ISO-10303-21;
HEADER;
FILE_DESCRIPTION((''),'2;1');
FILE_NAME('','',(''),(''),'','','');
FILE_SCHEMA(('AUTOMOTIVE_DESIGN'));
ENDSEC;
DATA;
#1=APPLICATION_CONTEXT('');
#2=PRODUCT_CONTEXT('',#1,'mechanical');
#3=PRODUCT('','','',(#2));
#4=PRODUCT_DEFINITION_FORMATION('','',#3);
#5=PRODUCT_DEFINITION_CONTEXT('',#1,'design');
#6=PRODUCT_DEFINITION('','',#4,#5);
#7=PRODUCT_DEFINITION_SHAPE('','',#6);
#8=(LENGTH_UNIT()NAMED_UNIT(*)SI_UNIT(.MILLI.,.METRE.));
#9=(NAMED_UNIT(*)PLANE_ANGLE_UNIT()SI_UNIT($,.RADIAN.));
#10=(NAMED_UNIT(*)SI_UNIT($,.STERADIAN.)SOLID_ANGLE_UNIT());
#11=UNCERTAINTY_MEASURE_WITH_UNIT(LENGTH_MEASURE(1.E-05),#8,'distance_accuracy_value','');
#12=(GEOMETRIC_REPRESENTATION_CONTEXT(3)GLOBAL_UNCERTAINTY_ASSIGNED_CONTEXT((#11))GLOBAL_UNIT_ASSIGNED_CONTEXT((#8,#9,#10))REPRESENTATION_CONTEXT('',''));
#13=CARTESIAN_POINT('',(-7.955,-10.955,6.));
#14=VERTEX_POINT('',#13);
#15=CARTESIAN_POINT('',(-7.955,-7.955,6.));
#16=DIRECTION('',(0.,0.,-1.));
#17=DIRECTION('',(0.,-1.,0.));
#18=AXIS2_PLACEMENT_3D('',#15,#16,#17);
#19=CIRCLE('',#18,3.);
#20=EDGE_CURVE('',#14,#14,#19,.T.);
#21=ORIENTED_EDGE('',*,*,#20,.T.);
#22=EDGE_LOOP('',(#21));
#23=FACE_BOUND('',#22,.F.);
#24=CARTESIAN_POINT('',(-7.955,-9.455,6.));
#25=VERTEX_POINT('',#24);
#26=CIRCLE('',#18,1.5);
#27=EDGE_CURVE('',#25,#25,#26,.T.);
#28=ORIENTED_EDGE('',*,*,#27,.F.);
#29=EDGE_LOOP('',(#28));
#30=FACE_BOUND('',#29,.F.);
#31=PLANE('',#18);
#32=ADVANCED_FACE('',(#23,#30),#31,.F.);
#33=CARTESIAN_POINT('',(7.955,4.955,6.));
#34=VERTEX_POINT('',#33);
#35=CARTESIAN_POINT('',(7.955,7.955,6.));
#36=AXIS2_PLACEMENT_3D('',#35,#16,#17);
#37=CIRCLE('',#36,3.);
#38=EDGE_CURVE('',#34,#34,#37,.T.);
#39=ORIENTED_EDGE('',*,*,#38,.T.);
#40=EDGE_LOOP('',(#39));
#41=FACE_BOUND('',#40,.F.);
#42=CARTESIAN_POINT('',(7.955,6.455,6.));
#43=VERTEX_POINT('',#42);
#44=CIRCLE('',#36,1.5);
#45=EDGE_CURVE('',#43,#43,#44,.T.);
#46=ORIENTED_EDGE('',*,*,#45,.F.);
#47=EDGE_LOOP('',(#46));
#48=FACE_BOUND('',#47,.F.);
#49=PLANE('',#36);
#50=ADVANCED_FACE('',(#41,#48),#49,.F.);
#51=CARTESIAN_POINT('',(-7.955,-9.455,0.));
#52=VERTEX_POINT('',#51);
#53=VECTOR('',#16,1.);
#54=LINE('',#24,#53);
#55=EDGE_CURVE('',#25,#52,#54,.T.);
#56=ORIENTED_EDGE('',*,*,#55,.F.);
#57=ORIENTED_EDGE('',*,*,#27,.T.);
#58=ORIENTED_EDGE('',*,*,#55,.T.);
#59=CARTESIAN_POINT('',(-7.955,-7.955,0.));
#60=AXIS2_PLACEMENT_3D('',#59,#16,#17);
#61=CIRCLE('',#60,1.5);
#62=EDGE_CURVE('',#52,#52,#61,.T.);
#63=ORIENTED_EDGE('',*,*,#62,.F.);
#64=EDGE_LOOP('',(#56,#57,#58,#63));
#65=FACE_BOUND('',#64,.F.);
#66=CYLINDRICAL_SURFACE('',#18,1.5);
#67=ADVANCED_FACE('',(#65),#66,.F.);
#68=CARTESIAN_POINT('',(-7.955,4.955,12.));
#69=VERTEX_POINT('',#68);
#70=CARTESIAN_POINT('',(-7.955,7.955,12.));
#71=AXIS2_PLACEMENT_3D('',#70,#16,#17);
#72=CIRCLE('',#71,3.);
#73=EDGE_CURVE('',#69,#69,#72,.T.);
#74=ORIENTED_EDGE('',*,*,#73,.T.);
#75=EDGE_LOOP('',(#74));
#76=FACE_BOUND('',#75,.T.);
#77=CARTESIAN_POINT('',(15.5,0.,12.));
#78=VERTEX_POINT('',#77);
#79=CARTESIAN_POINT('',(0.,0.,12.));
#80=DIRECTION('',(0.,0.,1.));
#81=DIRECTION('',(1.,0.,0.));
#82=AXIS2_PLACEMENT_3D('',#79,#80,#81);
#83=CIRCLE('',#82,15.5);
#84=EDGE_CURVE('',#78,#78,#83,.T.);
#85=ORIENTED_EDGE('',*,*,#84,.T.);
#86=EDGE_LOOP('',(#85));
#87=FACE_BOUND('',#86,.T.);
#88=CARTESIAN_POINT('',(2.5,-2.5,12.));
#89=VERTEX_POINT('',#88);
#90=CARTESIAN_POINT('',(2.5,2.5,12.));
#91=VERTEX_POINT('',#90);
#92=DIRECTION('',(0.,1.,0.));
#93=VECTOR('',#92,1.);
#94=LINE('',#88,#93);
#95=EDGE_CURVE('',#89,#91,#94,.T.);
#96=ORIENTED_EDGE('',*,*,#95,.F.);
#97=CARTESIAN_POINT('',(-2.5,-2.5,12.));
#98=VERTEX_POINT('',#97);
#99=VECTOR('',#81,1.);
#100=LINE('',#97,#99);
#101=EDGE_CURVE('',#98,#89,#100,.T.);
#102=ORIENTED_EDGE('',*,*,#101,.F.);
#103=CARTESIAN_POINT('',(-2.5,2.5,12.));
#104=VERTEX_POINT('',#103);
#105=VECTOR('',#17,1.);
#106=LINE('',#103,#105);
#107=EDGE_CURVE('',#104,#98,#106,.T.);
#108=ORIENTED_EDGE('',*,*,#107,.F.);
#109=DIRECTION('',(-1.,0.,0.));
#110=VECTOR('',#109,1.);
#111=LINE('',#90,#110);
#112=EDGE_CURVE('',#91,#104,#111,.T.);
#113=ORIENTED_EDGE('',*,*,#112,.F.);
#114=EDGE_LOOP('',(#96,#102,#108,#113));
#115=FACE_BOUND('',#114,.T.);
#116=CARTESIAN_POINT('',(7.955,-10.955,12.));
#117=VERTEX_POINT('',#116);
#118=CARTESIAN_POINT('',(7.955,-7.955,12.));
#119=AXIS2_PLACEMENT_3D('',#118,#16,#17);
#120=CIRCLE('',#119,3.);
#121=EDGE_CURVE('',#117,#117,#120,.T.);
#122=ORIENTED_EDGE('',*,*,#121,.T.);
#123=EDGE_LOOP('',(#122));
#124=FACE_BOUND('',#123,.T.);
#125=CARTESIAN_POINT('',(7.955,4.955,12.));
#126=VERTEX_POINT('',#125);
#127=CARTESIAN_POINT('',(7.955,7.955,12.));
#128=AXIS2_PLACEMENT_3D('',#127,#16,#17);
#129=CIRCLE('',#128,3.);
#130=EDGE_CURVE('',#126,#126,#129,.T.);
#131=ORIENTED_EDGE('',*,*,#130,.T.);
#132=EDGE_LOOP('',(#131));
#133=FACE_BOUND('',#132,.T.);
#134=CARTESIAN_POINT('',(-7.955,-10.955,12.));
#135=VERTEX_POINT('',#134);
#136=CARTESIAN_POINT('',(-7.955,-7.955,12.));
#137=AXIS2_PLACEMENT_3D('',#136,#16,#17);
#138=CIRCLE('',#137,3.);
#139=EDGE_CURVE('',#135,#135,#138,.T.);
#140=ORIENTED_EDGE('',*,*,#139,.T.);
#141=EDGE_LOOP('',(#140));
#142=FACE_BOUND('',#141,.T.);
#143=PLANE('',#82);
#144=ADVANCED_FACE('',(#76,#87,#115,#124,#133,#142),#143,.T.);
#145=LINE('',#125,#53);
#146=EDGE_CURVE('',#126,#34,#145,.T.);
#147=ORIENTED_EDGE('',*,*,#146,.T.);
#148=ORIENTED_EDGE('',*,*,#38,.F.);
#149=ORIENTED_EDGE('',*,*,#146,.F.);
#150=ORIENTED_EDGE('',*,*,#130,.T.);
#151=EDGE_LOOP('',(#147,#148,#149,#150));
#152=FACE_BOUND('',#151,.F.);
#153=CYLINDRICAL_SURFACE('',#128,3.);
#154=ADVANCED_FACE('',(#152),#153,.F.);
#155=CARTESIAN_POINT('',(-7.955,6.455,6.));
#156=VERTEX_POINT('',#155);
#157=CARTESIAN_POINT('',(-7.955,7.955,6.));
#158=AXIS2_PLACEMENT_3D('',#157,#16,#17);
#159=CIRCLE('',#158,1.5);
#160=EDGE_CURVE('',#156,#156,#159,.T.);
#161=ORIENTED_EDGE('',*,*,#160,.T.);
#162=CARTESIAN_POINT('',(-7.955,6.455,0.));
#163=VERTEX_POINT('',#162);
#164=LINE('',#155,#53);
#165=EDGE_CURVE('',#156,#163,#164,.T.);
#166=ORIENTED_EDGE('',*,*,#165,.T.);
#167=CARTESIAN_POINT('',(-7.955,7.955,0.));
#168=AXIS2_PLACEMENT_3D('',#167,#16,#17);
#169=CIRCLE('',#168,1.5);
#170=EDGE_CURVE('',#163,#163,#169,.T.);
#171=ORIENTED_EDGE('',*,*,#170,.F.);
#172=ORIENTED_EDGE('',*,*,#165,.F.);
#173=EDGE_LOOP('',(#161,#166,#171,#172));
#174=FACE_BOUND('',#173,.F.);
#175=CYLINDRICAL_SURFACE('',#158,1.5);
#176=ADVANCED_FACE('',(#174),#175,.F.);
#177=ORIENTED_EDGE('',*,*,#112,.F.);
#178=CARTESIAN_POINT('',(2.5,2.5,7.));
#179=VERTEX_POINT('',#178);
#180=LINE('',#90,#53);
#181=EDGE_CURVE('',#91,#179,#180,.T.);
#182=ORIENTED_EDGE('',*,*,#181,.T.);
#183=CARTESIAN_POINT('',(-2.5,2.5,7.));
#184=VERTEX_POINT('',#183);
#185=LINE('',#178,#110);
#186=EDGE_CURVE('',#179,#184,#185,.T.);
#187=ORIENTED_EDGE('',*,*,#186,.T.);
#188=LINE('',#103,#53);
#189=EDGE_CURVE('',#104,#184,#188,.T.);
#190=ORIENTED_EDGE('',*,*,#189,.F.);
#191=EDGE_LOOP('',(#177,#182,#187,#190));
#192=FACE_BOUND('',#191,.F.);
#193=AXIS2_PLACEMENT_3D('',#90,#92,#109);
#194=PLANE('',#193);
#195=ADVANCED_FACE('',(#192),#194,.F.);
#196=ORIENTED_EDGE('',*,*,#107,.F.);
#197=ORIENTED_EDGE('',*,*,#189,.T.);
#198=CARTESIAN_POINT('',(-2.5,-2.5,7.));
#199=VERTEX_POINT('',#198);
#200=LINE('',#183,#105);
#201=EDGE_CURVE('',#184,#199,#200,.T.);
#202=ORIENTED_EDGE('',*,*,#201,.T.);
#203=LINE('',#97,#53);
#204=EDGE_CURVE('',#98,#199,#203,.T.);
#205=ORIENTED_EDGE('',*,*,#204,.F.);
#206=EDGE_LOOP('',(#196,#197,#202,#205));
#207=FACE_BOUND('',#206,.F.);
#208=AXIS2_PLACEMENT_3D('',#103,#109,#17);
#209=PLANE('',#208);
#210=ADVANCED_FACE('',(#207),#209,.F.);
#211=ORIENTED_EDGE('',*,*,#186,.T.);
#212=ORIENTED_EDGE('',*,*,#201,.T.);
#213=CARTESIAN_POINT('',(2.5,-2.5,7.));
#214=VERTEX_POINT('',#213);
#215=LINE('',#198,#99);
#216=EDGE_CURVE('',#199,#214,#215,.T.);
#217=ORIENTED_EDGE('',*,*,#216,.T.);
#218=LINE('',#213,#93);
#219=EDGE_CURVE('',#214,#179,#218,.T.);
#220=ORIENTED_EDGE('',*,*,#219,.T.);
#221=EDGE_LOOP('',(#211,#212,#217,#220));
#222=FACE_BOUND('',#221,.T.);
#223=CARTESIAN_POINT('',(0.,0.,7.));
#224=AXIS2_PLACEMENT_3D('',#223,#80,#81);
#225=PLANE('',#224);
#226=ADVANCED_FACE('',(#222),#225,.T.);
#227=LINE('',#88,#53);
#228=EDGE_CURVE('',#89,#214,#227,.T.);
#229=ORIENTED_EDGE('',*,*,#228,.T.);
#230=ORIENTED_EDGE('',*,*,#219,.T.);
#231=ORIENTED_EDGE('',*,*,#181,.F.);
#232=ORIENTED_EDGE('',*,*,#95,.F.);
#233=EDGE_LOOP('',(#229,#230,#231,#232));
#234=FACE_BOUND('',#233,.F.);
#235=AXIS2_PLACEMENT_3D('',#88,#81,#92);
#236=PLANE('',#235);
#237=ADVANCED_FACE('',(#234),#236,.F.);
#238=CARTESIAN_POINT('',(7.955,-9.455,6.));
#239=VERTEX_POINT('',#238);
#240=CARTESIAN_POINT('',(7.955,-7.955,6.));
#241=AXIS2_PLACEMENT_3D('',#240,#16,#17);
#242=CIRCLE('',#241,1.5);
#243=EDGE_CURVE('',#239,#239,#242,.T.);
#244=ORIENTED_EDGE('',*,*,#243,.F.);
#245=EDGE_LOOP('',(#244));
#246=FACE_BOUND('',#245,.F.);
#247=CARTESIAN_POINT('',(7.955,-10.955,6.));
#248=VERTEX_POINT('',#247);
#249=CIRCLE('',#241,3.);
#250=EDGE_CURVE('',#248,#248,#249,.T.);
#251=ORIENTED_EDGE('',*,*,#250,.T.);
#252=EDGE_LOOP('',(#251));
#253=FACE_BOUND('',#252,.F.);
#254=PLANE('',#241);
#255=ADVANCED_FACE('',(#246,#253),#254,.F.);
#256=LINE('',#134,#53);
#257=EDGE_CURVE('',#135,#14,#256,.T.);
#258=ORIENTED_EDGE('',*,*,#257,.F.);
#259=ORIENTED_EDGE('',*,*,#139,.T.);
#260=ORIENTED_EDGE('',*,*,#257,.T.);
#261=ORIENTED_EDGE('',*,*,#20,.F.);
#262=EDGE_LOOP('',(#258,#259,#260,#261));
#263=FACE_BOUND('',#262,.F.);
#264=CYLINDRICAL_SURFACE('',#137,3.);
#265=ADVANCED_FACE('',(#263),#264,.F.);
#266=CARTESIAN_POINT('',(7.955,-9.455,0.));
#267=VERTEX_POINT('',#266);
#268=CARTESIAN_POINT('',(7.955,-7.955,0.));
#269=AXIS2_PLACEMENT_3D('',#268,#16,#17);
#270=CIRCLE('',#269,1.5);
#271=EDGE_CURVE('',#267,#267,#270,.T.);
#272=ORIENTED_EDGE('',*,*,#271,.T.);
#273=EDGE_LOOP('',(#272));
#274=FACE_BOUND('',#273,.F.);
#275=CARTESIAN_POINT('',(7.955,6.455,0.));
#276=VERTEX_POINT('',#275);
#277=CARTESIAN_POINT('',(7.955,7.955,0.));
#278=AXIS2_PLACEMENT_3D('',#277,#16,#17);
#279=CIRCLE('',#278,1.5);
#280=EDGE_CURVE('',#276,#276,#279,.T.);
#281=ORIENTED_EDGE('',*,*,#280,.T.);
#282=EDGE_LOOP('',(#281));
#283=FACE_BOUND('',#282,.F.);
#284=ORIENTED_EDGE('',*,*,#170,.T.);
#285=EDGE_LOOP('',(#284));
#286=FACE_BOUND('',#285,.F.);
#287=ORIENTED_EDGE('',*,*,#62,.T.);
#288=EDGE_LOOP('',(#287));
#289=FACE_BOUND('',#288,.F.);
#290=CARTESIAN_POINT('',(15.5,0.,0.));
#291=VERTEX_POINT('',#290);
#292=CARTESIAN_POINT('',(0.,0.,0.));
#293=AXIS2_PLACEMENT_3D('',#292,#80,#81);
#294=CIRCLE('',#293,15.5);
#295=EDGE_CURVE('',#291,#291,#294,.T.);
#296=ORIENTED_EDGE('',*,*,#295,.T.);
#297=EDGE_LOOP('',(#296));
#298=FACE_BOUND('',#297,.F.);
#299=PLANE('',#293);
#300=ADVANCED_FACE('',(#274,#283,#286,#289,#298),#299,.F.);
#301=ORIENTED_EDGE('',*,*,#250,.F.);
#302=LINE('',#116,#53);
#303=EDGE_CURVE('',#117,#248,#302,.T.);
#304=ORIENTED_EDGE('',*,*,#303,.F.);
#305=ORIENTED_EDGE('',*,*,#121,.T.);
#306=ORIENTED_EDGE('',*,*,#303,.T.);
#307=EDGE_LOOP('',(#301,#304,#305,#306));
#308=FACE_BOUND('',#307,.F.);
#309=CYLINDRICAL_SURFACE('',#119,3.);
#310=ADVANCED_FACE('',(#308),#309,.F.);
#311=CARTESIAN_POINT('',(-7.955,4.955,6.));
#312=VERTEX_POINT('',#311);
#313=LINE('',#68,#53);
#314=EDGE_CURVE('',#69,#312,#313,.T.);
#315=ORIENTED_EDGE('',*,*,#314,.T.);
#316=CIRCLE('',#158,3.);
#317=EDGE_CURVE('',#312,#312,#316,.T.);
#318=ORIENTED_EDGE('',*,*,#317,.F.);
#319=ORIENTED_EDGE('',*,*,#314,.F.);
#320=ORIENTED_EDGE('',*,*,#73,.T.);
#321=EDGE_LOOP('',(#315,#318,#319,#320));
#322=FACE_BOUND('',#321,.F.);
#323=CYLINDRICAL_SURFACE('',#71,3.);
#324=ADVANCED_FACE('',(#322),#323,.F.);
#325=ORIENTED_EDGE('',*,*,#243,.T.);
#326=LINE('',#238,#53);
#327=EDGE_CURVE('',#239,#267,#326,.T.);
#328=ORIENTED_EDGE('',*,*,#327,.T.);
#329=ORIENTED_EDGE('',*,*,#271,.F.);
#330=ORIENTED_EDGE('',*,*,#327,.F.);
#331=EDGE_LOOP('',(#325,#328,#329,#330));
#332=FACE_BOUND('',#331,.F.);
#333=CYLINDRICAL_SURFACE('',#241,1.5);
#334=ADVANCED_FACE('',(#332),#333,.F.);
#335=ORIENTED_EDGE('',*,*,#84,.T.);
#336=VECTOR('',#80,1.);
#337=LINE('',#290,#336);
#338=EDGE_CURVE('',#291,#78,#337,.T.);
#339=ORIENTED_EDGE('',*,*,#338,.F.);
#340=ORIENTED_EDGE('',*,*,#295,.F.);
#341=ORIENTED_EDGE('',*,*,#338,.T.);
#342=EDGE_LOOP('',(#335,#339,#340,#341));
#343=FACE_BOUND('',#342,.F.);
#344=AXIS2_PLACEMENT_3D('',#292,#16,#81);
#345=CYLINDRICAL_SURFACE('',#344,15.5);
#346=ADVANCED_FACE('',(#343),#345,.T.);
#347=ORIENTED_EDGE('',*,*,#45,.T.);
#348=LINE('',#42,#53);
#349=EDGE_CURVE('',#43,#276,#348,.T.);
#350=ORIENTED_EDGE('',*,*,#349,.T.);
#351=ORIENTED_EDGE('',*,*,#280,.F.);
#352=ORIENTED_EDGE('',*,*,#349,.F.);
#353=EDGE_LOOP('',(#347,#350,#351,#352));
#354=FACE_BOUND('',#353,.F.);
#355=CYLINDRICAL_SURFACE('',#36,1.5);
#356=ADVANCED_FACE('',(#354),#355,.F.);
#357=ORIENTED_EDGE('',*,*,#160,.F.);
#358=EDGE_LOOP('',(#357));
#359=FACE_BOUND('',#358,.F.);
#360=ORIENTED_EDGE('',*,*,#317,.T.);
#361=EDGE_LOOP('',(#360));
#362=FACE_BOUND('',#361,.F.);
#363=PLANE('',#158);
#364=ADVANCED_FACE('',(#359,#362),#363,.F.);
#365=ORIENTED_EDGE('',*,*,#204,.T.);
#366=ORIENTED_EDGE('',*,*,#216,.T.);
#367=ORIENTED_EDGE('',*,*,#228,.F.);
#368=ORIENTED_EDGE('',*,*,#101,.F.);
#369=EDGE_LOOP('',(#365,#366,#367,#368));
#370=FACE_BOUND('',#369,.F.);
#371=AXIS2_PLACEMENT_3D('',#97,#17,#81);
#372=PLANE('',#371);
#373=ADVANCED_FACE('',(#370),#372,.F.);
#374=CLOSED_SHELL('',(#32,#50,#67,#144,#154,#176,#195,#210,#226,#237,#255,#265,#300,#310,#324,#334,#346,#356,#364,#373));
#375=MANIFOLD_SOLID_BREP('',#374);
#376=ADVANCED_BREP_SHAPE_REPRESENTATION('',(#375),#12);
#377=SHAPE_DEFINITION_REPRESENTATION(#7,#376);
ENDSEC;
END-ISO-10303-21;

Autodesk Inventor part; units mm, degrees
ref_plane "YZ Plane" through (0, 0, 0) normal (1, 0, 0) x (0, 1, 0)
ref_plane "XZ Plane" through (0, 0, 0) normal (0, 1, 0) x (-1, 0, 0)
ref_plane "XY Plane" through (0, 0, 0) normal (0, 0, 1) x (1, 0, 0)
sketch "Skizze1" plane through (0, 0, 0) normal (0, 0, 1) x (1, 0, 0)
  circle A0 centre (0, 0) radius 15.5
  dimension "d0" = 31
extrude "Extrusion1" add sketch "Skizze1" along normal blind 12
sketch "Skizze2" plane through (0, 0, 12) normal (0, 0, 1) x (1, 0, 0)
  line L0 (-2.5, -2.5) -> (2.5, -2.5)
  line L1 (2.5, -2.5) -> (2.5, 2.5)
  line L2 (2.5, 2.5) -> (-2.5, 2.5)
  line L3 (-2.5, 2.5) -> (-2.5, -2.5)
  line L4 (-2.5, -2.5) -> (2.5, 2.5) construction
  line L5 (2.5, -2.5) -> (-2.5, 2.5) construction
  point P0 (0, 0)
  dimension "d3" = 5
extrude "Extrusion2" cut sketch "Skizze2" against normal blind 5
sketch "Skizze3" plane through (0, 0, 12) normal (0, 0, 1) x (1, 0, 0)
  circle A0 centre (0, 0) radius 11.25
  line L0 (-7.955, -7.955) -> (7.955, -7.955)
  line L1 (7.955, -7.955) -> (7.955, 7.955)
  line L2 (7.955, 7.955) -> (-7.955, 7.955)
  line L3 (-7.955, 7.955) -> (-7.955, -7.955)
  line L4 (-7.955, -7.955) -> (7.955, 7.955) construction
  line L5 (7.955, -7.955) -> (-7.955, 7.955) construction
  dimension "d6" = 22.5
hole "Bohrung1" at (-7.955, -7.955, 12) at (7.955, -7.955, 12) at (7.955, 7.955, 12) at (-7.955, 7.955, 12) direction (0, 0, -1) diameter 3 end through all counterbore diameter 6 counterbore depth 6
properties part number "rotBaseMagnetMountQube"
